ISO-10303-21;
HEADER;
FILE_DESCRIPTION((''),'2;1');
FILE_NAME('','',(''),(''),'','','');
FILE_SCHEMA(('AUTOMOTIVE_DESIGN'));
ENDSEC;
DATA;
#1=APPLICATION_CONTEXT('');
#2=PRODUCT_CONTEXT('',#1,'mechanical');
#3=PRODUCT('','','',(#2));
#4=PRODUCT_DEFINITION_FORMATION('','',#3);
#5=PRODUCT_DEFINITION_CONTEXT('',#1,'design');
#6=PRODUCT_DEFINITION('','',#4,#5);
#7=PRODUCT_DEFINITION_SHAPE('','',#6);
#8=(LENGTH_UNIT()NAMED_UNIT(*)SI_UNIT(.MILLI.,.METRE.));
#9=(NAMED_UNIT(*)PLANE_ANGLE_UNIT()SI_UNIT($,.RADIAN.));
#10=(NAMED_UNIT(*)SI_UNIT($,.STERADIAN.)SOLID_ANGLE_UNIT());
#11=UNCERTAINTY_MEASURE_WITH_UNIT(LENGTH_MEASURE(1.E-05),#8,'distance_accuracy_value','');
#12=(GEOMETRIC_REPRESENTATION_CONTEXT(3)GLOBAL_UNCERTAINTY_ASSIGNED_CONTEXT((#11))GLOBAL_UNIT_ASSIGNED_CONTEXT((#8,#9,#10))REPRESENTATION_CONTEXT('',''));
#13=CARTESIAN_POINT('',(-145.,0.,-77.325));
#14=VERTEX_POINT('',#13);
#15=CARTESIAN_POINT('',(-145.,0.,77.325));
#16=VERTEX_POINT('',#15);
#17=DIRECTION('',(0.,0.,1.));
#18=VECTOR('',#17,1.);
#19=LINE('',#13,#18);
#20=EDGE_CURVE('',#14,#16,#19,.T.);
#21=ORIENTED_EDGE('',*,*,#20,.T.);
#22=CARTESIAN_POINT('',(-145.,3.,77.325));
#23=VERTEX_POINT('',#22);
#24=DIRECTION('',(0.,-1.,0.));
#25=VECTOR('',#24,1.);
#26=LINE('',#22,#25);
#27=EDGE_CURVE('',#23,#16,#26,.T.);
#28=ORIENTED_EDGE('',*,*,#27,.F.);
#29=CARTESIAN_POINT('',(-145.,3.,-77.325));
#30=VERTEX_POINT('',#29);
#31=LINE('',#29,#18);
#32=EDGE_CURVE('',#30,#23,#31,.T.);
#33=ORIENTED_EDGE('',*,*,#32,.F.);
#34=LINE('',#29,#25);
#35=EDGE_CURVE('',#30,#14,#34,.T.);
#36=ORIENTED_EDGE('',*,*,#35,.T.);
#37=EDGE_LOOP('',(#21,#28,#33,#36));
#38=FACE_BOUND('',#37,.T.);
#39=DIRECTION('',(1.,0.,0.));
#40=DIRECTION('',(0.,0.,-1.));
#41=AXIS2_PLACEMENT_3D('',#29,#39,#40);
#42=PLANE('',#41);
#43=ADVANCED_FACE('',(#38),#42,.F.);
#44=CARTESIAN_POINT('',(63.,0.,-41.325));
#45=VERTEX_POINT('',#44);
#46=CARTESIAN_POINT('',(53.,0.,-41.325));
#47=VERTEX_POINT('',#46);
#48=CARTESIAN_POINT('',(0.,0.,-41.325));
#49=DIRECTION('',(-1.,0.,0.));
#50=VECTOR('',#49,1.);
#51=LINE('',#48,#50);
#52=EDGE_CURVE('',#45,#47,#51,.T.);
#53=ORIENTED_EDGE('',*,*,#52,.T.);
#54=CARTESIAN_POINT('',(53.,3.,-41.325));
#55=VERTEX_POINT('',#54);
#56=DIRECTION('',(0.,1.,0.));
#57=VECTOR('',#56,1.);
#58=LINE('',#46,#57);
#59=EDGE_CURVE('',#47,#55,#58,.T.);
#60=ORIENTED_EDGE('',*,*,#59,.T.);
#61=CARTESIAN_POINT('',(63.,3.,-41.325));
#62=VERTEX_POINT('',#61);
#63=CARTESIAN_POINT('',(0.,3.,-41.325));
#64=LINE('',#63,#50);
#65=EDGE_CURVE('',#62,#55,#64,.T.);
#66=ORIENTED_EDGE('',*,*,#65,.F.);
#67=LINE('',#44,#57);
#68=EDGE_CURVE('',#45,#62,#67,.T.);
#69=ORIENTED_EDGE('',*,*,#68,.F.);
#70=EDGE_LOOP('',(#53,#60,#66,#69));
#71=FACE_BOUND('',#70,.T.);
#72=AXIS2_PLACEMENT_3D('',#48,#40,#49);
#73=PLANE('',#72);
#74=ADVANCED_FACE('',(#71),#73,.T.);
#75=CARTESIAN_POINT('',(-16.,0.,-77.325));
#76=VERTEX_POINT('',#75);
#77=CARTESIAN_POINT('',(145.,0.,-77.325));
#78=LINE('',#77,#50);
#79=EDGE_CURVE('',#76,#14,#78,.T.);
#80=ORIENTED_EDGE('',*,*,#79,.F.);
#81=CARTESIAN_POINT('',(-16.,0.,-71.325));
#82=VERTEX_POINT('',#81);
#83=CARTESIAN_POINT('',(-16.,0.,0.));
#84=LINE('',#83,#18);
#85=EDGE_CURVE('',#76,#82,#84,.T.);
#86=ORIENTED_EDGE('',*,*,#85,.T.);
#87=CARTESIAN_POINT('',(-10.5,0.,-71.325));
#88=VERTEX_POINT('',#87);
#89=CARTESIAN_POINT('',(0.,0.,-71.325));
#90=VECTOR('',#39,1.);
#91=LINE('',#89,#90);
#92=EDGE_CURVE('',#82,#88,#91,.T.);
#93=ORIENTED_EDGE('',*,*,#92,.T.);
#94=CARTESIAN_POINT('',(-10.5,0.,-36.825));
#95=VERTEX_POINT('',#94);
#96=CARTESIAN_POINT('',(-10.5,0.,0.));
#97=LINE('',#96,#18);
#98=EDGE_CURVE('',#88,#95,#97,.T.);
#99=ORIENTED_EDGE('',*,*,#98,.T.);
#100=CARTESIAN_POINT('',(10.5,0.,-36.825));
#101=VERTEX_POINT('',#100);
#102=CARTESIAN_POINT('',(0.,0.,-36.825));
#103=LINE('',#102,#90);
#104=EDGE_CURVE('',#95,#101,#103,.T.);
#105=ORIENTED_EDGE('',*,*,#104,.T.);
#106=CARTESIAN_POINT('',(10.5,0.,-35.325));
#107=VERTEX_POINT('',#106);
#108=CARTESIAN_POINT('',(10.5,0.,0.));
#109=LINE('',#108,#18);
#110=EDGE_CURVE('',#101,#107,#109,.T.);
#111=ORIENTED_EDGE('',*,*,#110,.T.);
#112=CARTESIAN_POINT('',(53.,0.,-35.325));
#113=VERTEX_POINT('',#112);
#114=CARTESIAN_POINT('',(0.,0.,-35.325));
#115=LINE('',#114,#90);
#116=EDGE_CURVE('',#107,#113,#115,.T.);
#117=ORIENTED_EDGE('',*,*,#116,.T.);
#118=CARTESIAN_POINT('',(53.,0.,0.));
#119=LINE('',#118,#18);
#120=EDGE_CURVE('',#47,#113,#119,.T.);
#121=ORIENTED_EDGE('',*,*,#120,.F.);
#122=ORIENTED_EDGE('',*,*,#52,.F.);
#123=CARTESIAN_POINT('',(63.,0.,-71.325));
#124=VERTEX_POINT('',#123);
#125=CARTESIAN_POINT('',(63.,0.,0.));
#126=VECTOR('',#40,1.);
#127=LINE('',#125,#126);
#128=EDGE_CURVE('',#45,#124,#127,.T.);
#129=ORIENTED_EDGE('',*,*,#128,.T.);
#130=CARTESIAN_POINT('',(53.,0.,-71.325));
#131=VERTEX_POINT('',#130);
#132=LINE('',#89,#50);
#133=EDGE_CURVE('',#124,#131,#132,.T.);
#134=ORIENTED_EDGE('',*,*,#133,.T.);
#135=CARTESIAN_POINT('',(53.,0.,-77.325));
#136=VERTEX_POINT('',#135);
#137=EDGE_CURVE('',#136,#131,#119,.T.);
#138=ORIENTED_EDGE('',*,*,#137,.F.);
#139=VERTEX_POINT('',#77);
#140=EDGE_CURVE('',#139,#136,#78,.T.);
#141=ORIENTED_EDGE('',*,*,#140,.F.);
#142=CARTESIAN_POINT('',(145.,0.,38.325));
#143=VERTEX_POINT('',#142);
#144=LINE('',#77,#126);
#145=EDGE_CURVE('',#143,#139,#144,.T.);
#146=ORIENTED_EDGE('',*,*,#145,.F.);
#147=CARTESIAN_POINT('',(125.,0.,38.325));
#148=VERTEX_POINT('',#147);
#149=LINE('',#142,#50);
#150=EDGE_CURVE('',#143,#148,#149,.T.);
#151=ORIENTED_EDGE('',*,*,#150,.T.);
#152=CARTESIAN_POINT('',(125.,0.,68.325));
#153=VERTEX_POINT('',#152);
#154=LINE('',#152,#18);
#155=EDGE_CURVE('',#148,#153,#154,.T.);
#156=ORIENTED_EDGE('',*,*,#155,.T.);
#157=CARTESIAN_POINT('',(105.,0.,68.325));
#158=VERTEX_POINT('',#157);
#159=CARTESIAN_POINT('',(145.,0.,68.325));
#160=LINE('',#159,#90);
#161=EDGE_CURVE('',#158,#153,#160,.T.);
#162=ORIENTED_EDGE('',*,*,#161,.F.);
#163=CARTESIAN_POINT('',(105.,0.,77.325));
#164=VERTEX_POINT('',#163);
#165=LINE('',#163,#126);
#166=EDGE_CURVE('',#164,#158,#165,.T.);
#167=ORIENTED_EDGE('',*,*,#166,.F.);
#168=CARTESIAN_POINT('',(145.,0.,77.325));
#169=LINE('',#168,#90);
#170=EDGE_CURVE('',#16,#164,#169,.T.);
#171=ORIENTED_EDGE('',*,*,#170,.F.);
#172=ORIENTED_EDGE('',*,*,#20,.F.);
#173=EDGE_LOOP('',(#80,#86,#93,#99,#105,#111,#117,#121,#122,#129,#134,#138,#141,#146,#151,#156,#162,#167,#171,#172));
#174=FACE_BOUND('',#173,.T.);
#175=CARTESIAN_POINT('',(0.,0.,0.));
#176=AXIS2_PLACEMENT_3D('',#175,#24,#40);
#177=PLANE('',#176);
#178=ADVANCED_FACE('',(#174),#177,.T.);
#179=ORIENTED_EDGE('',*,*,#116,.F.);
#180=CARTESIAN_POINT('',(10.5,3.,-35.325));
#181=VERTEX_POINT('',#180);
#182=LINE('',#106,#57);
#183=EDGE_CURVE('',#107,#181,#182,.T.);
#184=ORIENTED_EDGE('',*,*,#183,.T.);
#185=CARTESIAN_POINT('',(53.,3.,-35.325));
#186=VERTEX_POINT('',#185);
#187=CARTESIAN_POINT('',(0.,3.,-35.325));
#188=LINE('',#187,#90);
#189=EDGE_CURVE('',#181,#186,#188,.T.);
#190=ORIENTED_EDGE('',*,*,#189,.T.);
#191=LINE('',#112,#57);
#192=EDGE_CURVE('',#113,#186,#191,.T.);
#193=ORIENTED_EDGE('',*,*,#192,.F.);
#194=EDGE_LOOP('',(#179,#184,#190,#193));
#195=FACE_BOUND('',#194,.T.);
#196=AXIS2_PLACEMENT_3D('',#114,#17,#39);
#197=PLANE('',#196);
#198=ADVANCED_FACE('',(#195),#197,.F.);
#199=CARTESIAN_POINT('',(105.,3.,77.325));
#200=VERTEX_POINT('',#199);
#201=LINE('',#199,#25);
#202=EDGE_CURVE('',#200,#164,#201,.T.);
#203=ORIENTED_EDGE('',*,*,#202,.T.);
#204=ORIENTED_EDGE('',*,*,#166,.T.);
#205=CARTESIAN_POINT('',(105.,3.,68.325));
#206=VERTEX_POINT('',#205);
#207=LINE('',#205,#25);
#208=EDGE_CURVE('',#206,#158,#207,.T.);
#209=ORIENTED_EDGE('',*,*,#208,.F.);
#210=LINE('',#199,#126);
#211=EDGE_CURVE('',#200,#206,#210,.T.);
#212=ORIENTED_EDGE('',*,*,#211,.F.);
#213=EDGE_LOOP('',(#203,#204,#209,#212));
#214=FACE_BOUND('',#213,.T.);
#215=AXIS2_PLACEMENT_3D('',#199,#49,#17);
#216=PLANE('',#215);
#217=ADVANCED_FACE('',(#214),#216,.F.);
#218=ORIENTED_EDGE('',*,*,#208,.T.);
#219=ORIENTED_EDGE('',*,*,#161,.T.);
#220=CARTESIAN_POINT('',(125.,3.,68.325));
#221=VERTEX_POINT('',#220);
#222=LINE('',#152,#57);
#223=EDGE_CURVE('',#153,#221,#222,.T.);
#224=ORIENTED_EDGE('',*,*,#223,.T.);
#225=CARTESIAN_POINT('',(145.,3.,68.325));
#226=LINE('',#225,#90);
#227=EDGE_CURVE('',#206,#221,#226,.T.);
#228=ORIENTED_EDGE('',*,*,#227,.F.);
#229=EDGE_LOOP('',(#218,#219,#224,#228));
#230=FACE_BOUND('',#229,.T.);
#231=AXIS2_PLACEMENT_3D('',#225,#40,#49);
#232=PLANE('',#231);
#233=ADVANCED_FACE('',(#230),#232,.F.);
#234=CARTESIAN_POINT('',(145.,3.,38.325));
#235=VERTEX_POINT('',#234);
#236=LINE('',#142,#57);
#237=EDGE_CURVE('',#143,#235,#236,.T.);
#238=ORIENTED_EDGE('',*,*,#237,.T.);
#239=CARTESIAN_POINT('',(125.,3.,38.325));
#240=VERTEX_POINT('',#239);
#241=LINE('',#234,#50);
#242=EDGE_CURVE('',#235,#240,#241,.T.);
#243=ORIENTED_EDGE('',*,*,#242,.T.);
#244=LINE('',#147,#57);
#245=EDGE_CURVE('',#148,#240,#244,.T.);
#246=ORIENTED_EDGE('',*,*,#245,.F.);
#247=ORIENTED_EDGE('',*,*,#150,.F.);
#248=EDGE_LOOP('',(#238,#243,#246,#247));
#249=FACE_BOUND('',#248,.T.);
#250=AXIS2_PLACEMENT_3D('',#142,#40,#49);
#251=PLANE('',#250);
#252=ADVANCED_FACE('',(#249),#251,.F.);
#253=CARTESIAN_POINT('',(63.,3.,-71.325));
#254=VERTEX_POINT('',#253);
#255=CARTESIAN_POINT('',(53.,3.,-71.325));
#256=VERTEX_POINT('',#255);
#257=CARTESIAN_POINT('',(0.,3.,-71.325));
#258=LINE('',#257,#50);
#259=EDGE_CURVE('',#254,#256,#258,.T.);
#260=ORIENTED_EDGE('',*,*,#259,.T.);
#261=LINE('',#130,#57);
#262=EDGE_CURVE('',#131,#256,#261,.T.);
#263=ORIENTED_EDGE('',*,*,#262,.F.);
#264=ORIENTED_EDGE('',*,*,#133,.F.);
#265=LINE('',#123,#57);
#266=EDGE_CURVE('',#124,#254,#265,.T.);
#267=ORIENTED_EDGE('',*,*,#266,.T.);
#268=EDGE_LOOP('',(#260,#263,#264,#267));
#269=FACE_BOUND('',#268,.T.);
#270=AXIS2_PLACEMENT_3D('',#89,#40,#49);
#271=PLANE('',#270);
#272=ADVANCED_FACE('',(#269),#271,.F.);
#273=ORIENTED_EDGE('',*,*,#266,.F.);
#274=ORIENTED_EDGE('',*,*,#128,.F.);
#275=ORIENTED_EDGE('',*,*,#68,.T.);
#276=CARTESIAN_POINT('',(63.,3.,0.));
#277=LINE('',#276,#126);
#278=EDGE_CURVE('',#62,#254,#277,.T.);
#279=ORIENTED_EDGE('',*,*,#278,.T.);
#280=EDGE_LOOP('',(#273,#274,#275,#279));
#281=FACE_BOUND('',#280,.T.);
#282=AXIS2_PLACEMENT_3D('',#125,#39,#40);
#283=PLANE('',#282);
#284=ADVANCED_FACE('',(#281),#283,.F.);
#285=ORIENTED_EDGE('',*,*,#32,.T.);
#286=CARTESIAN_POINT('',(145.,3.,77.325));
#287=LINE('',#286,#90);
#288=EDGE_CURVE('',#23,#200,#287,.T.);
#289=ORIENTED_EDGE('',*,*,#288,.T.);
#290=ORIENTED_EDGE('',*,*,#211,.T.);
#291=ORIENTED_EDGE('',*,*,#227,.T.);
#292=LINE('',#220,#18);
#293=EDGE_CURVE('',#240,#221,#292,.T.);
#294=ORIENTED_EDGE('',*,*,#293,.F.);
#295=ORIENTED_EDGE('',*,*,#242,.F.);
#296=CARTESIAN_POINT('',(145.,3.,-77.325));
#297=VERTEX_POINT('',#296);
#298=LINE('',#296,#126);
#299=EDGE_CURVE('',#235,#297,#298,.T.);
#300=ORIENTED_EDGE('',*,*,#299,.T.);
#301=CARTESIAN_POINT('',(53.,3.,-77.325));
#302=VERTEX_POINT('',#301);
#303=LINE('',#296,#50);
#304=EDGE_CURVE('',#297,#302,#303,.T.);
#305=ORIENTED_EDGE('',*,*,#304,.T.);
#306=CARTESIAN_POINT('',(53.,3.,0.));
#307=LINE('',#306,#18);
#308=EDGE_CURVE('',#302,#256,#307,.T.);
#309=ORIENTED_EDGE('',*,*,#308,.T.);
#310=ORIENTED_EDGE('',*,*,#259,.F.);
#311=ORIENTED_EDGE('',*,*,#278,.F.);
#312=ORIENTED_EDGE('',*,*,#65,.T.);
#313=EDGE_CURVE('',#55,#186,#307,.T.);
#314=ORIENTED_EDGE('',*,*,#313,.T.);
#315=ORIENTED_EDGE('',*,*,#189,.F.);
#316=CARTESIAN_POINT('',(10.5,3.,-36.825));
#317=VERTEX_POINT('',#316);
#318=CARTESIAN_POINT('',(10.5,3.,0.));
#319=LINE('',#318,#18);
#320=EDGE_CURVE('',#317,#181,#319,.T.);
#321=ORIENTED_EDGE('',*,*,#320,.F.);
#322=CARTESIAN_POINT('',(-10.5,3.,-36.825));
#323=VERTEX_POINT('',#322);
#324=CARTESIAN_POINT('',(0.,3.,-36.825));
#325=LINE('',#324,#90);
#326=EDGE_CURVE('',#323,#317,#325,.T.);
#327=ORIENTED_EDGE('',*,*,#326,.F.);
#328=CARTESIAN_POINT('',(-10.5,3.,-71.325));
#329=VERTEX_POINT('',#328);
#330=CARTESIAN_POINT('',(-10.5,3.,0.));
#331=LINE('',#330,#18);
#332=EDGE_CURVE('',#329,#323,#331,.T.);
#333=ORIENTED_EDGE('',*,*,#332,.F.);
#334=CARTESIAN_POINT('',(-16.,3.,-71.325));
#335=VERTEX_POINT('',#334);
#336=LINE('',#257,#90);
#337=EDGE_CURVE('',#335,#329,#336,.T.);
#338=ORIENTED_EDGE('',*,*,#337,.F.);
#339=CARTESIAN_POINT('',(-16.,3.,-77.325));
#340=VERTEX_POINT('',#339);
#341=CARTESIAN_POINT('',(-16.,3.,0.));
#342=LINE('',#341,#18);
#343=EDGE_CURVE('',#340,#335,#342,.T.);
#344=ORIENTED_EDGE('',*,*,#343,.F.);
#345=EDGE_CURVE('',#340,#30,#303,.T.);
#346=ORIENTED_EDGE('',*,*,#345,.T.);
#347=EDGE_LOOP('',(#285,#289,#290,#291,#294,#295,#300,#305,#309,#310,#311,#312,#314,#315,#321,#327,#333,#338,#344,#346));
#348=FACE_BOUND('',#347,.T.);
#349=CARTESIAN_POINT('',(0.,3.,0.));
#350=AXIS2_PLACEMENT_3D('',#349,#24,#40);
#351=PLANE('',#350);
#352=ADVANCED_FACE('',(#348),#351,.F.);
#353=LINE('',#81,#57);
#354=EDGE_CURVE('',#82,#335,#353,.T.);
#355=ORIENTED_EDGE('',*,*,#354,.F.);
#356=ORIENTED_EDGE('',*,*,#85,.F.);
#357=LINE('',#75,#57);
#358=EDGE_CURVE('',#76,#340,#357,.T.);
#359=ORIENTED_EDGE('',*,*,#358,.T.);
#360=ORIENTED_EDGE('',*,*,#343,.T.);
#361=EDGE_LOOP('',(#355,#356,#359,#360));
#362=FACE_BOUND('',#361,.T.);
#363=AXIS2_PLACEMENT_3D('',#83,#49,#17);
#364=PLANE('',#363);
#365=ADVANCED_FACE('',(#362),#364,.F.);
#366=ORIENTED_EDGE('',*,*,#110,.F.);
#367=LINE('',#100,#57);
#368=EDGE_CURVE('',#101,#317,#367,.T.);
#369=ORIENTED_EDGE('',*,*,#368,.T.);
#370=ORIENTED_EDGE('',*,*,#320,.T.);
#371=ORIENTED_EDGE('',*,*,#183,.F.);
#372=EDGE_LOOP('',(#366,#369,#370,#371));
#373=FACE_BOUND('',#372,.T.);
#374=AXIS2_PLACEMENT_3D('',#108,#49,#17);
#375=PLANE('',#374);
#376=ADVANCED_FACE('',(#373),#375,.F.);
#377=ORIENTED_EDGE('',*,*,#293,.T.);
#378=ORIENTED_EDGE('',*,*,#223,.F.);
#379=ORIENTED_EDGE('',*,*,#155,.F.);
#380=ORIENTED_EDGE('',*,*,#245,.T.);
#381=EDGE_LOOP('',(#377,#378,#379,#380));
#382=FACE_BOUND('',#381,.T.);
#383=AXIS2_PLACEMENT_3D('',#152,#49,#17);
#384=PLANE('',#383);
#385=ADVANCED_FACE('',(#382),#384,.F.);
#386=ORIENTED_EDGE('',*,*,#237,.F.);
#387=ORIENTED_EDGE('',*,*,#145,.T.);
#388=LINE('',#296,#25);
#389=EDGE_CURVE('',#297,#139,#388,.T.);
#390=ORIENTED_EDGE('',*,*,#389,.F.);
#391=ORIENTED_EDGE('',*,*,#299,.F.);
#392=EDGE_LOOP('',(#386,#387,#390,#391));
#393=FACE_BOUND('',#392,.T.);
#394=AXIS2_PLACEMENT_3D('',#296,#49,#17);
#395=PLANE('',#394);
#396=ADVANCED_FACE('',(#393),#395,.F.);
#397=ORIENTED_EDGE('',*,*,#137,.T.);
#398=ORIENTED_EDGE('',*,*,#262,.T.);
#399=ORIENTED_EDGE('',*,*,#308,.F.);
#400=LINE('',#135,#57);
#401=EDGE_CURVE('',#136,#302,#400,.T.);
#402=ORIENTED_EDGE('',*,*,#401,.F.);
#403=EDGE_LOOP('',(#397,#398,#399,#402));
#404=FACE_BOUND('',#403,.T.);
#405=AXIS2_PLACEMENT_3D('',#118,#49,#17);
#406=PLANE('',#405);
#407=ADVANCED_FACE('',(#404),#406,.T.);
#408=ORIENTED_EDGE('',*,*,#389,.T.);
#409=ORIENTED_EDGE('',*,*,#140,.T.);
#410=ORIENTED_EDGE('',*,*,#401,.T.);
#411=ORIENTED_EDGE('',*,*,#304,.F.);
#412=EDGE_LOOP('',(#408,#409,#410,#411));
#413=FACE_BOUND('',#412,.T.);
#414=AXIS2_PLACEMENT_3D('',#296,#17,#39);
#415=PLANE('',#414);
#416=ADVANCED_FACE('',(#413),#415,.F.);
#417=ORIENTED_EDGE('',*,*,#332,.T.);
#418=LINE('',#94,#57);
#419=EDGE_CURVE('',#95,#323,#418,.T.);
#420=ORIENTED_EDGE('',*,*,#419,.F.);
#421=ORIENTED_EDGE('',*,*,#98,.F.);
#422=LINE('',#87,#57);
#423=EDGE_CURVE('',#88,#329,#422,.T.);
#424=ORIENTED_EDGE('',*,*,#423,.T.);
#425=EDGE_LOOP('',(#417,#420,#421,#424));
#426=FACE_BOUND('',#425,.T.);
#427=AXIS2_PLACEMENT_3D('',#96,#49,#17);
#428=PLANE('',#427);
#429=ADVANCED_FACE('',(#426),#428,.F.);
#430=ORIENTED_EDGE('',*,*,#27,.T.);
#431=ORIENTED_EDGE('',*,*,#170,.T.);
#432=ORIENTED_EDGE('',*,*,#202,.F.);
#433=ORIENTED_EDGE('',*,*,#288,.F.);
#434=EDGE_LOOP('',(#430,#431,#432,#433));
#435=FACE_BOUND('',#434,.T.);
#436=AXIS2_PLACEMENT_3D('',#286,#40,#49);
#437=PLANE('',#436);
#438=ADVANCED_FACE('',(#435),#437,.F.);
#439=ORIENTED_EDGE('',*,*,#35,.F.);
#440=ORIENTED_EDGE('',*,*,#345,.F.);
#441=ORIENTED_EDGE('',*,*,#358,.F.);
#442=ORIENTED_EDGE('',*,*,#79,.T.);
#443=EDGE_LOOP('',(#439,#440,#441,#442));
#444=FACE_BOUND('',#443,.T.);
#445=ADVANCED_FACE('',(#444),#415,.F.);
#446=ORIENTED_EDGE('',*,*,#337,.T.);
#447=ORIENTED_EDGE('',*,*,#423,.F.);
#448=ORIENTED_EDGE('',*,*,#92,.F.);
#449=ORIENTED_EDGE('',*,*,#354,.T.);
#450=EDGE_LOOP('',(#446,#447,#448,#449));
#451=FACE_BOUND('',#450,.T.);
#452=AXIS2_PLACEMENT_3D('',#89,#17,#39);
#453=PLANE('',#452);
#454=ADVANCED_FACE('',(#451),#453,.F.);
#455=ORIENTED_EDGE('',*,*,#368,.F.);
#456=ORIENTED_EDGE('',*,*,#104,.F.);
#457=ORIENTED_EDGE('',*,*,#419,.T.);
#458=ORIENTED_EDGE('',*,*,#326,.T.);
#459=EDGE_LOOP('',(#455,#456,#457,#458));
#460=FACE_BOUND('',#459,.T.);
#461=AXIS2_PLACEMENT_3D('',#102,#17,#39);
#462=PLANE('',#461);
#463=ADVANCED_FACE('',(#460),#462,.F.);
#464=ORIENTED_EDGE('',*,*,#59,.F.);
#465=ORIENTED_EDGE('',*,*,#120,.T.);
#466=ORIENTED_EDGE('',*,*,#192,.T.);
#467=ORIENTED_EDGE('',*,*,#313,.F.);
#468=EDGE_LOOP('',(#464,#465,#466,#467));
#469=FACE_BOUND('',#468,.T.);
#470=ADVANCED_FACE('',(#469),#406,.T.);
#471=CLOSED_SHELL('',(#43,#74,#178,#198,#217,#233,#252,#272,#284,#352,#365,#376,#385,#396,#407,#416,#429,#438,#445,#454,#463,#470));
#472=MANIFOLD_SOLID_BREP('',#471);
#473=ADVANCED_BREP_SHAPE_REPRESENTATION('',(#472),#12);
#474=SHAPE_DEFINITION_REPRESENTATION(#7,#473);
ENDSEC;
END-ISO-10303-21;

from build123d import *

# Parameters (mm, degrees)
SKETCH1_W           = 290
SKETCH1_H           = 154.65
BOSS_EXTRUDE1_DEPTH = 3
CUT_EXTRUDE1_DEPTH  = 165.356793669
SKETCH3_W           = 10
SKETCH3_H           = 15
CUT_EXTRUDE2_DEPTH  = 3
SKETCH5_W           = 40
SKETCH5_H           = 9
CUT_EXTRUDE3_DEPTH  = 3
SKETCH6_W           = 20
SKETCH6_H           = 30
CUT_EXTRUDE4_DEPTH  = 3


with BuildPart() as part:
    # Sketch1 → Boss-Extrude1 (new body)
    with BuildSketch(Plane(origin=(0, 0, 0), x_dir=(1, 0, 0), z_dir=(0, 1, 0))):
        Rectangle(SKETCH1_W, SKETCH1_H)
    extrude(amount=BOSS_EXTRUDE1_DEPTH)

    # Sketch2 → Cut-Extrude1 (cut, through all)
    with BuildSketch(Plane(origin=(0, 3, 0), x_dir=(1, 0, 0), z_dir=(0, 1, 0))):
        Polygon((53, 77.325), (-16, 77.325), (-16, 71.325), (-10.5, 71.325), (-10.5, 36.825), (10.5, 36.825), (10.5, 35.325), (19.5, 35.325), (39.5, 35.325), (53, 35.325), align=None)
    extrude(amount=-CUT_EXTRUDE1_DEPTH, mode=Mode.SUBTRACT)

    # Sketch3 → Cut-Extrude2 (cut)
    with BuildSketch(Plane(origin=(0, 3, 0), x_dir=(1, 0, 0), z_dir=(0, 1, 0))):
        with Locations((58, 63.825)):
            Rectangle(SKETCH3_W, SKETCH3_H)
        with Locations((58, 48.825)):
            Rectangle(SKETCH3_W, SKETCH3_H)
    extrude(amount=-CUT_EXTRUDE2_DEPTH, mode=Mode.SUBTRACT)

    # Sketch5 → Cut-Extrude3 (cut)
    with BuildSketch(Plane(origin=(0, 0, 0), x_dir=(-1, 0, 0), z_dir=(0, -1, 0))):
        with Locations((-125, -72.825)):
            Rectangle(SKETCH5_W, SKETCH5_H)
    extrude(amount=-CUT_EXTRUDE3_DEPTH, mode=Mode.SUBTRACT)

    # Sketch6 → Cut-Extrude4 (cut)
    with BuildSketch(Plane(origin=(0, 3, 0), x_dir=(1, 0, 0), z_dir=(0, 1, 0))):
        with Locations((135, -53.325)):
            Rectangle(SKETCH6_W, SKETCH6_H)
    extrude(amount=-CUT_EXTRUDE4_DEPTH, mode=Mode.SUBTRACT)


solid = part.part
